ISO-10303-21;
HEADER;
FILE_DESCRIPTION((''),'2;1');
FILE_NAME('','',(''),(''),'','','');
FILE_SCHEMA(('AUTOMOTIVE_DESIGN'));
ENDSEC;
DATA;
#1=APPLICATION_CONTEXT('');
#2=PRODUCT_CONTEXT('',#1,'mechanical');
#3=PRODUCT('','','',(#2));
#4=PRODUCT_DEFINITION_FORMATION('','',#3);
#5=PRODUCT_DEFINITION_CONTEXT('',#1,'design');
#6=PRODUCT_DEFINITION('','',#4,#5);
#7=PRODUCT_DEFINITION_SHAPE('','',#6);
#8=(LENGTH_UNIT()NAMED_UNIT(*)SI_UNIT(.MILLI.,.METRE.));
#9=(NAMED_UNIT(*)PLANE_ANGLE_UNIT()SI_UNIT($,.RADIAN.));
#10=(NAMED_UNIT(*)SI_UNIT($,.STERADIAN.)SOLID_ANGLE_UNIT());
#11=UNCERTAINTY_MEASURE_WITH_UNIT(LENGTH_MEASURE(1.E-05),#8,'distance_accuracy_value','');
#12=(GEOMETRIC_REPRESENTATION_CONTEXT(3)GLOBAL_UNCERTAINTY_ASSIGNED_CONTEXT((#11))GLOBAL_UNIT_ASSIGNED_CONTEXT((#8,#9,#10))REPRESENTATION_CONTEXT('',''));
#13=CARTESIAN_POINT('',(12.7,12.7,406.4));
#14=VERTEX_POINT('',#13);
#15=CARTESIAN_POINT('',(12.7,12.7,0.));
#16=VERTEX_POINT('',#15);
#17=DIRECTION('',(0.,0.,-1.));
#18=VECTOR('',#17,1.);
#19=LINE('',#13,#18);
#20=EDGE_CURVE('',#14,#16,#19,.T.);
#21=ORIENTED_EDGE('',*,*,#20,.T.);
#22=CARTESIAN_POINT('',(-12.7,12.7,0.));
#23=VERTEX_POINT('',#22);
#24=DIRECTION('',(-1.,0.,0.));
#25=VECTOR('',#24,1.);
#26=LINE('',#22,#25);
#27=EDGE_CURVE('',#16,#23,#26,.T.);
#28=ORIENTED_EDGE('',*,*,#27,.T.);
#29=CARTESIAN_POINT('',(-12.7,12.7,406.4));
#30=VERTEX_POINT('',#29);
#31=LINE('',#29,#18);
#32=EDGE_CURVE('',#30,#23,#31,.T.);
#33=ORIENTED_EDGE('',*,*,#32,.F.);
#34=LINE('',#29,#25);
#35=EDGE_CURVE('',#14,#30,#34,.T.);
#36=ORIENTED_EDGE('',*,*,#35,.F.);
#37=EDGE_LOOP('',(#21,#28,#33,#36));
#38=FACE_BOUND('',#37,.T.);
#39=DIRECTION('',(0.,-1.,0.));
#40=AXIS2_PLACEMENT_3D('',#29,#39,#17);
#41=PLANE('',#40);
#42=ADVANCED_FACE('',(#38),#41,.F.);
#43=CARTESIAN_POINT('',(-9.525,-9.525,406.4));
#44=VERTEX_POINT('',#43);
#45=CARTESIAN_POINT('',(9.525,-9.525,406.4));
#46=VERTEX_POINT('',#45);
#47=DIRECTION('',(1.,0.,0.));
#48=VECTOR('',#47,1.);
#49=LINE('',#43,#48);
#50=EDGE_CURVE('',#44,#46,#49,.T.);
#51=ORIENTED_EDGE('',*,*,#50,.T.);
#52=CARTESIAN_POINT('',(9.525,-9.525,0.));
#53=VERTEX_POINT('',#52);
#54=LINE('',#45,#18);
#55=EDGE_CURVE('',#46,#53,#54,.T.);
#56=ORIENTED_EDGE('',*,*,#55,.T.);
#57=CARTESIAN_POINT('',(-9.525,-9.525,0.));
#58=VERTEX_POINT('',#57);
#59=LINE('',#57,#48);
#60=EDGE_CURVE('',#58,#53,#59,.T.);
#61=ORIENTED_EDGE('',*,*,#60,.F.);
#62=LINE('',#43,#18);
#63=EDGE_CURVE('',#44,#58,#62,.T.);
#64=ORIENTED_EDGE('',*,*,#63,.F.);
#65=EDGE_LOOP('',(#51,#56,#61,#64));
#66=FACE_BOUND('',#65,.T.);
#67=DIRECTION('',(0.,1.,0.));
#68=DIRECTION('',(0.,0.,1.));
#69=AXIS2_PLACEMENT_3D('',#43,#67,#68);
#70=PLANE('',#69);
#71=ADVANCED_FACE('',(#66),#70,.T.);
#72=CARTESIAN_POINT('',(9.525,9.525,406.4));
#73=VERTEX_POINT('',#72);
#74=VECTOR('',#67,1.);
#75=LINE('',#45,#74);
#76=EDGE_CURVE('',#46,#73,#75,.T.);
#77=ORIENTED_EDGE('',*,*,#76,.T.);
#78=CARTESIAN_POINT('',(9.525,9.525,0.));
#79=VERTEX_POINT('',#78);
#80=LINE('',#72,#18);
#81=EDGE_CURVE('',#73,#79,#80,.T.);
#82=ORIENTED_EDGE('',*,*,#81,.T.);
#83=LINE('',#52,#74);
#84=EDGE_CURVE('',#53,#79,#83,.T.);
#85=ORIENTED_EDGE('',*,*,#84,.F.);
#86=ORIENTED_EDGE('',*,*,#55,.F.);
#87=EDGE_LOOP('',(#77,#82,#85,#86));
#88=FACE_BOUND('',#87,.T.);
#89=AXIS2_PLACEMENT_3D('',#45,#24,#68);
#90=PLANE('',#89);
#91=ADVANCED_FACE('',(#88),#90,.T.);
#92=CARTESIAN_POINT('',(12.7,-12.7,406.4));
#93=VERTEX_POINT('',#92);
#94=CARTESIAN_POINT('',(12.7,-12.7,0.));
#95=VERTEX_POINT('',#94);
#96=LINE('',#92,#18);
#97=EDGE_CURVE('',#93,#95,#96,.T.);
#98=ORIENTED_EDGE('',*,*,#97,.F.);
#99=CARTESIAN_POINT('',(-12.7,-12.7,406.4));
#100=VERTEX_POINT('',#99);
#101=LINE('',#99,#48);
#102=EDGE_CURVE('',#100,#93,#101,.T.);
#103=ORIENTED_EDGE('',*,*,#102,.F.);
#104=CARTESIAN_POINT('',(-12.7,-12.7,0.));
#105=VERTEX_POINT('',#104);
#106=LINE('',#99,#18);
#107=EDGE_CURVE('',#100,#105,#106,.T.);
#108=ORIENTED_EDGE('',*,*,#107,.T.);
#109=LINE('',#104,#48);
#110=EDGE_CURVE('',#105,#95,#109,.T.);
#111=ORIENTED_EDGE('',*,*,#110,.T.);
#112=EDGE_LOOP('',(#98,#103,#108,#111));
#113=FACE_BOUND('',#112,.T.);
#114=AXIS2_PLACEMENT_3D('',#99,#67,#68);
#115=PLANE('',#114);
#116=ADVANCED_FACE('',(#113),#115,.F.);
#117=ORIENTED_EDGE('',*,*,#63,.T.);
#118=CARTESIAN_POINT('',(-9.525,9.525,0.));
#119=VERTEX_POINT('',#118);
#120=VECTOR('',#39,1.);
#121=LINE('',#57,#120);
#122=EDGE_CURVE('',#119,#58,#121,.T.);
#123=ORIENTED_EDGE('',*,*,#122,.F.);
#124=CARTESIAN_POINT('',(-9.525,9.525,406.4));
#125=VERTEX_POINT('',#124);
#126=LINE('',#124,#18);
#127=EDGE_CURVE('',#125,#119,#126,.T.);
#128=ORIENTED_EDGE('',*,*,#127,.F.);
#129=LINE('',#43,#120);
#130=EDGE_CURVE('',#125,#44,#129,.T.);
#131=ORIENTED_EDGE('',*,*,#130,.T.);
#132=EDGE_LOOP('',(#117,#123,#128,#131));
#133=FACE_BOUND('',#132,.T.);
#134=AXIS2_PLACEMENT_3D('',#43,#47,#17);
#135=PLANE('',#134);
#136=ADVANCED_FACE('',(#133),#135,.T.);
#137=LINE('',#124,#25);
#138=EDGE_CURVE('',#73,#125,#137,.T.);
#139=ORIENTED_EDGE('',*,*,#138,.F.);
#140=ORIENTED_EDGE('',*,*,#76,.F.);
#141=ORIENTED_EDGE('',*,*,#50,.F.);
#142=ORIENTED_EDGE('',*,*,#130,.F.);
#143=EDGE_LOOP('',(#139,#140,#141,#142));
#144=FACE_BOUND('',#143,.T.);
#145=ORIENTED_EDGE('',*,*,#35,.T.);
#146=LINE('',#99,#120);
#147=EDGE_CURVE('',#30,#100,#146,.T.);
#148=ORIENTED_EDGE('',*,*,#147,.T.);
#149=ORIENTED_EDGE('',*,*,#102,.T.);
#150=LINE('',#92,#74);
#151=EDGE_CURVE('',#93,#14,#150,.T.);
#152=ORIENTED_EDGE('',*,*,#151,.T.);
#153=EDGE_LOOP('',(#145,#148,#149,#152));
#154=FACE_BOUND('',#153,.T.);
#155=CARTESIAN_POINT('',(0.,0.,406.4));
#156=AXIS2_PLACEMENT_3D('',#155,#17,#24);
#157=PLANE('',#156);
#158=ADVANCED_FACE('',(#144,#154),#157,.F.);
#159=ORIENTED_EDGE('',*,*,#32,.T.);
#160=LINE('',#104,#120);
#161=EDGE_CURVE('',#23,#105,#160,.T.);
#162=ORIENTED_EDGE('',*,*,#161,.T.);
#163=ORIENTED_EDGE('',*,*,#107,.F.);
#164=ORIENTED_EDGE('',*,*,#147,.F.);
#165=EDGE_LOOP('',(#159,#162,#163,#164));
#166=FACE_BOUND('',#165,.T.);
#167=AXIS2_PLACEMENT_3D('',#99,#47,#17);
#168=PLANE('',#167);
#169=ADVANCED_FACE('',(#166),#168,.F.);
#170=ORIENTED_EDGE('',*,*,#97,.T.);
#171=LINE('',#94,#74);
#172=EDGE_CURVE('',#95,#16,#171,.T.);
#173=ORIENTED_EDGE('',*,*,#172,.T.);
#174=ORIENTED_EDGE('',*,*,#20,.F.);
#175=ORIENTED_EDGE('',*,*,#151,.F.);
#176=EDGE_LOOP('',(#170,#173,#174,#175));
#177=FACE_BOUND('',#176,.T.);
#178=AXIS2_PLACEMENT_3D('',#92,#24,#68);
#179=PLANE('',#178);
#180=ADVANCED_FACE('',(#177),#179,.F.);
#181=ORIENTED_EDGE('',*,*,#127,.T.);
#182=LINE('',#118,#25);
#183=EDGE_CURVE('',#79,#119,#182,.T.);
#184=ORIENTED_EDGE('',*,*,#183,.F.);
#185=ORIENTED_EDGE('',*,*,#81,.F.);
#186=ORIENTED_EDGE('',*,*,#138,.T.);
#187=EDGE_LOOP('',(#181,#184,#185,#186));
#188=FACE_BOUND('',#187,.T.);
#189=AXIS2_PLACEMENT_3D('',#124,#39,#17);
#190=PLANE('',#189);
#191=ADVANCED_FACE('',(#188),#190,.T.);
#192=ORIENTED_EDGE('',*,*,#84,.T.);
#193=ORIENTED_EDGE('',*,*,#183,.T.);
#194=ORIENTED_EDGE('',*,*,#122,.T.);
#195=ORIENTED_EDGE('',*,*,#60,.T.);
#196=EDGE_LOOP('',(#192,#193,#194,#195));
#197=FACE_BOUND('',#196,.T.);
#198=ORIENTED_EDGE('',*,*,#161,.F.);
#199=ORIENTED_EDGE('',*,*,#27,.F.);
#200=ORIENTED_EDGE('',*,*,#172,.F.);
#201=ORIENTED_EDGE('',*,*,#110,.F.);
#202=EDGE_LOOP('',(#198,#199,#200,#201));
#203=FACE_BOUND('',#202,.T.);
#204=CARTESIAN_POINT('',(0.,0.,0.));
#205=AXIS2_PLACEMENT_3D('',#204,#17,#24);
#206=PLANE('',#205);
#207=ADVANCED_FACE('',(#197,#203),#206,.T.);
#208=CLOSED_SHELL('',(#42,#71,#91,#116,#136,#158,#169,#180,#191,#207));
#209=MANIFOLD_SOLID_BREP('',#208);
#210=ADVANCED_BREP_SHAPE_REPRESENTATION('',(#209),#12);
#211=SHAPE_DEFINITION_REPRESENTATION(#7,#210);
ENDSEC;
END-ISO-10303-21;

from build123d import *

# Parameters (mm, degrees)
SKETCH1_W           = 25.4
SKETCH1_H           = 25.4
SKETCH1_W_2         = 19.05
SKETCH1_H_2         = 19.05
BOSS_EXTRUDE1_DEPTH = 406.4


with BuildPart() as part:
    # Sketch1 → Boss-Extrude1 (new body)
    with BuildSketch(Plane.XY):
        Rectangle(SKETCH1_W, SKETCH1_H)
        Rectangle(SKETCH1_W_2, SKETCH1_H_2, mode=Mode.SUBTRACT)
    extrude(amount=BOSS_EXTRUDE1_DEPTH)


solid = part.part
